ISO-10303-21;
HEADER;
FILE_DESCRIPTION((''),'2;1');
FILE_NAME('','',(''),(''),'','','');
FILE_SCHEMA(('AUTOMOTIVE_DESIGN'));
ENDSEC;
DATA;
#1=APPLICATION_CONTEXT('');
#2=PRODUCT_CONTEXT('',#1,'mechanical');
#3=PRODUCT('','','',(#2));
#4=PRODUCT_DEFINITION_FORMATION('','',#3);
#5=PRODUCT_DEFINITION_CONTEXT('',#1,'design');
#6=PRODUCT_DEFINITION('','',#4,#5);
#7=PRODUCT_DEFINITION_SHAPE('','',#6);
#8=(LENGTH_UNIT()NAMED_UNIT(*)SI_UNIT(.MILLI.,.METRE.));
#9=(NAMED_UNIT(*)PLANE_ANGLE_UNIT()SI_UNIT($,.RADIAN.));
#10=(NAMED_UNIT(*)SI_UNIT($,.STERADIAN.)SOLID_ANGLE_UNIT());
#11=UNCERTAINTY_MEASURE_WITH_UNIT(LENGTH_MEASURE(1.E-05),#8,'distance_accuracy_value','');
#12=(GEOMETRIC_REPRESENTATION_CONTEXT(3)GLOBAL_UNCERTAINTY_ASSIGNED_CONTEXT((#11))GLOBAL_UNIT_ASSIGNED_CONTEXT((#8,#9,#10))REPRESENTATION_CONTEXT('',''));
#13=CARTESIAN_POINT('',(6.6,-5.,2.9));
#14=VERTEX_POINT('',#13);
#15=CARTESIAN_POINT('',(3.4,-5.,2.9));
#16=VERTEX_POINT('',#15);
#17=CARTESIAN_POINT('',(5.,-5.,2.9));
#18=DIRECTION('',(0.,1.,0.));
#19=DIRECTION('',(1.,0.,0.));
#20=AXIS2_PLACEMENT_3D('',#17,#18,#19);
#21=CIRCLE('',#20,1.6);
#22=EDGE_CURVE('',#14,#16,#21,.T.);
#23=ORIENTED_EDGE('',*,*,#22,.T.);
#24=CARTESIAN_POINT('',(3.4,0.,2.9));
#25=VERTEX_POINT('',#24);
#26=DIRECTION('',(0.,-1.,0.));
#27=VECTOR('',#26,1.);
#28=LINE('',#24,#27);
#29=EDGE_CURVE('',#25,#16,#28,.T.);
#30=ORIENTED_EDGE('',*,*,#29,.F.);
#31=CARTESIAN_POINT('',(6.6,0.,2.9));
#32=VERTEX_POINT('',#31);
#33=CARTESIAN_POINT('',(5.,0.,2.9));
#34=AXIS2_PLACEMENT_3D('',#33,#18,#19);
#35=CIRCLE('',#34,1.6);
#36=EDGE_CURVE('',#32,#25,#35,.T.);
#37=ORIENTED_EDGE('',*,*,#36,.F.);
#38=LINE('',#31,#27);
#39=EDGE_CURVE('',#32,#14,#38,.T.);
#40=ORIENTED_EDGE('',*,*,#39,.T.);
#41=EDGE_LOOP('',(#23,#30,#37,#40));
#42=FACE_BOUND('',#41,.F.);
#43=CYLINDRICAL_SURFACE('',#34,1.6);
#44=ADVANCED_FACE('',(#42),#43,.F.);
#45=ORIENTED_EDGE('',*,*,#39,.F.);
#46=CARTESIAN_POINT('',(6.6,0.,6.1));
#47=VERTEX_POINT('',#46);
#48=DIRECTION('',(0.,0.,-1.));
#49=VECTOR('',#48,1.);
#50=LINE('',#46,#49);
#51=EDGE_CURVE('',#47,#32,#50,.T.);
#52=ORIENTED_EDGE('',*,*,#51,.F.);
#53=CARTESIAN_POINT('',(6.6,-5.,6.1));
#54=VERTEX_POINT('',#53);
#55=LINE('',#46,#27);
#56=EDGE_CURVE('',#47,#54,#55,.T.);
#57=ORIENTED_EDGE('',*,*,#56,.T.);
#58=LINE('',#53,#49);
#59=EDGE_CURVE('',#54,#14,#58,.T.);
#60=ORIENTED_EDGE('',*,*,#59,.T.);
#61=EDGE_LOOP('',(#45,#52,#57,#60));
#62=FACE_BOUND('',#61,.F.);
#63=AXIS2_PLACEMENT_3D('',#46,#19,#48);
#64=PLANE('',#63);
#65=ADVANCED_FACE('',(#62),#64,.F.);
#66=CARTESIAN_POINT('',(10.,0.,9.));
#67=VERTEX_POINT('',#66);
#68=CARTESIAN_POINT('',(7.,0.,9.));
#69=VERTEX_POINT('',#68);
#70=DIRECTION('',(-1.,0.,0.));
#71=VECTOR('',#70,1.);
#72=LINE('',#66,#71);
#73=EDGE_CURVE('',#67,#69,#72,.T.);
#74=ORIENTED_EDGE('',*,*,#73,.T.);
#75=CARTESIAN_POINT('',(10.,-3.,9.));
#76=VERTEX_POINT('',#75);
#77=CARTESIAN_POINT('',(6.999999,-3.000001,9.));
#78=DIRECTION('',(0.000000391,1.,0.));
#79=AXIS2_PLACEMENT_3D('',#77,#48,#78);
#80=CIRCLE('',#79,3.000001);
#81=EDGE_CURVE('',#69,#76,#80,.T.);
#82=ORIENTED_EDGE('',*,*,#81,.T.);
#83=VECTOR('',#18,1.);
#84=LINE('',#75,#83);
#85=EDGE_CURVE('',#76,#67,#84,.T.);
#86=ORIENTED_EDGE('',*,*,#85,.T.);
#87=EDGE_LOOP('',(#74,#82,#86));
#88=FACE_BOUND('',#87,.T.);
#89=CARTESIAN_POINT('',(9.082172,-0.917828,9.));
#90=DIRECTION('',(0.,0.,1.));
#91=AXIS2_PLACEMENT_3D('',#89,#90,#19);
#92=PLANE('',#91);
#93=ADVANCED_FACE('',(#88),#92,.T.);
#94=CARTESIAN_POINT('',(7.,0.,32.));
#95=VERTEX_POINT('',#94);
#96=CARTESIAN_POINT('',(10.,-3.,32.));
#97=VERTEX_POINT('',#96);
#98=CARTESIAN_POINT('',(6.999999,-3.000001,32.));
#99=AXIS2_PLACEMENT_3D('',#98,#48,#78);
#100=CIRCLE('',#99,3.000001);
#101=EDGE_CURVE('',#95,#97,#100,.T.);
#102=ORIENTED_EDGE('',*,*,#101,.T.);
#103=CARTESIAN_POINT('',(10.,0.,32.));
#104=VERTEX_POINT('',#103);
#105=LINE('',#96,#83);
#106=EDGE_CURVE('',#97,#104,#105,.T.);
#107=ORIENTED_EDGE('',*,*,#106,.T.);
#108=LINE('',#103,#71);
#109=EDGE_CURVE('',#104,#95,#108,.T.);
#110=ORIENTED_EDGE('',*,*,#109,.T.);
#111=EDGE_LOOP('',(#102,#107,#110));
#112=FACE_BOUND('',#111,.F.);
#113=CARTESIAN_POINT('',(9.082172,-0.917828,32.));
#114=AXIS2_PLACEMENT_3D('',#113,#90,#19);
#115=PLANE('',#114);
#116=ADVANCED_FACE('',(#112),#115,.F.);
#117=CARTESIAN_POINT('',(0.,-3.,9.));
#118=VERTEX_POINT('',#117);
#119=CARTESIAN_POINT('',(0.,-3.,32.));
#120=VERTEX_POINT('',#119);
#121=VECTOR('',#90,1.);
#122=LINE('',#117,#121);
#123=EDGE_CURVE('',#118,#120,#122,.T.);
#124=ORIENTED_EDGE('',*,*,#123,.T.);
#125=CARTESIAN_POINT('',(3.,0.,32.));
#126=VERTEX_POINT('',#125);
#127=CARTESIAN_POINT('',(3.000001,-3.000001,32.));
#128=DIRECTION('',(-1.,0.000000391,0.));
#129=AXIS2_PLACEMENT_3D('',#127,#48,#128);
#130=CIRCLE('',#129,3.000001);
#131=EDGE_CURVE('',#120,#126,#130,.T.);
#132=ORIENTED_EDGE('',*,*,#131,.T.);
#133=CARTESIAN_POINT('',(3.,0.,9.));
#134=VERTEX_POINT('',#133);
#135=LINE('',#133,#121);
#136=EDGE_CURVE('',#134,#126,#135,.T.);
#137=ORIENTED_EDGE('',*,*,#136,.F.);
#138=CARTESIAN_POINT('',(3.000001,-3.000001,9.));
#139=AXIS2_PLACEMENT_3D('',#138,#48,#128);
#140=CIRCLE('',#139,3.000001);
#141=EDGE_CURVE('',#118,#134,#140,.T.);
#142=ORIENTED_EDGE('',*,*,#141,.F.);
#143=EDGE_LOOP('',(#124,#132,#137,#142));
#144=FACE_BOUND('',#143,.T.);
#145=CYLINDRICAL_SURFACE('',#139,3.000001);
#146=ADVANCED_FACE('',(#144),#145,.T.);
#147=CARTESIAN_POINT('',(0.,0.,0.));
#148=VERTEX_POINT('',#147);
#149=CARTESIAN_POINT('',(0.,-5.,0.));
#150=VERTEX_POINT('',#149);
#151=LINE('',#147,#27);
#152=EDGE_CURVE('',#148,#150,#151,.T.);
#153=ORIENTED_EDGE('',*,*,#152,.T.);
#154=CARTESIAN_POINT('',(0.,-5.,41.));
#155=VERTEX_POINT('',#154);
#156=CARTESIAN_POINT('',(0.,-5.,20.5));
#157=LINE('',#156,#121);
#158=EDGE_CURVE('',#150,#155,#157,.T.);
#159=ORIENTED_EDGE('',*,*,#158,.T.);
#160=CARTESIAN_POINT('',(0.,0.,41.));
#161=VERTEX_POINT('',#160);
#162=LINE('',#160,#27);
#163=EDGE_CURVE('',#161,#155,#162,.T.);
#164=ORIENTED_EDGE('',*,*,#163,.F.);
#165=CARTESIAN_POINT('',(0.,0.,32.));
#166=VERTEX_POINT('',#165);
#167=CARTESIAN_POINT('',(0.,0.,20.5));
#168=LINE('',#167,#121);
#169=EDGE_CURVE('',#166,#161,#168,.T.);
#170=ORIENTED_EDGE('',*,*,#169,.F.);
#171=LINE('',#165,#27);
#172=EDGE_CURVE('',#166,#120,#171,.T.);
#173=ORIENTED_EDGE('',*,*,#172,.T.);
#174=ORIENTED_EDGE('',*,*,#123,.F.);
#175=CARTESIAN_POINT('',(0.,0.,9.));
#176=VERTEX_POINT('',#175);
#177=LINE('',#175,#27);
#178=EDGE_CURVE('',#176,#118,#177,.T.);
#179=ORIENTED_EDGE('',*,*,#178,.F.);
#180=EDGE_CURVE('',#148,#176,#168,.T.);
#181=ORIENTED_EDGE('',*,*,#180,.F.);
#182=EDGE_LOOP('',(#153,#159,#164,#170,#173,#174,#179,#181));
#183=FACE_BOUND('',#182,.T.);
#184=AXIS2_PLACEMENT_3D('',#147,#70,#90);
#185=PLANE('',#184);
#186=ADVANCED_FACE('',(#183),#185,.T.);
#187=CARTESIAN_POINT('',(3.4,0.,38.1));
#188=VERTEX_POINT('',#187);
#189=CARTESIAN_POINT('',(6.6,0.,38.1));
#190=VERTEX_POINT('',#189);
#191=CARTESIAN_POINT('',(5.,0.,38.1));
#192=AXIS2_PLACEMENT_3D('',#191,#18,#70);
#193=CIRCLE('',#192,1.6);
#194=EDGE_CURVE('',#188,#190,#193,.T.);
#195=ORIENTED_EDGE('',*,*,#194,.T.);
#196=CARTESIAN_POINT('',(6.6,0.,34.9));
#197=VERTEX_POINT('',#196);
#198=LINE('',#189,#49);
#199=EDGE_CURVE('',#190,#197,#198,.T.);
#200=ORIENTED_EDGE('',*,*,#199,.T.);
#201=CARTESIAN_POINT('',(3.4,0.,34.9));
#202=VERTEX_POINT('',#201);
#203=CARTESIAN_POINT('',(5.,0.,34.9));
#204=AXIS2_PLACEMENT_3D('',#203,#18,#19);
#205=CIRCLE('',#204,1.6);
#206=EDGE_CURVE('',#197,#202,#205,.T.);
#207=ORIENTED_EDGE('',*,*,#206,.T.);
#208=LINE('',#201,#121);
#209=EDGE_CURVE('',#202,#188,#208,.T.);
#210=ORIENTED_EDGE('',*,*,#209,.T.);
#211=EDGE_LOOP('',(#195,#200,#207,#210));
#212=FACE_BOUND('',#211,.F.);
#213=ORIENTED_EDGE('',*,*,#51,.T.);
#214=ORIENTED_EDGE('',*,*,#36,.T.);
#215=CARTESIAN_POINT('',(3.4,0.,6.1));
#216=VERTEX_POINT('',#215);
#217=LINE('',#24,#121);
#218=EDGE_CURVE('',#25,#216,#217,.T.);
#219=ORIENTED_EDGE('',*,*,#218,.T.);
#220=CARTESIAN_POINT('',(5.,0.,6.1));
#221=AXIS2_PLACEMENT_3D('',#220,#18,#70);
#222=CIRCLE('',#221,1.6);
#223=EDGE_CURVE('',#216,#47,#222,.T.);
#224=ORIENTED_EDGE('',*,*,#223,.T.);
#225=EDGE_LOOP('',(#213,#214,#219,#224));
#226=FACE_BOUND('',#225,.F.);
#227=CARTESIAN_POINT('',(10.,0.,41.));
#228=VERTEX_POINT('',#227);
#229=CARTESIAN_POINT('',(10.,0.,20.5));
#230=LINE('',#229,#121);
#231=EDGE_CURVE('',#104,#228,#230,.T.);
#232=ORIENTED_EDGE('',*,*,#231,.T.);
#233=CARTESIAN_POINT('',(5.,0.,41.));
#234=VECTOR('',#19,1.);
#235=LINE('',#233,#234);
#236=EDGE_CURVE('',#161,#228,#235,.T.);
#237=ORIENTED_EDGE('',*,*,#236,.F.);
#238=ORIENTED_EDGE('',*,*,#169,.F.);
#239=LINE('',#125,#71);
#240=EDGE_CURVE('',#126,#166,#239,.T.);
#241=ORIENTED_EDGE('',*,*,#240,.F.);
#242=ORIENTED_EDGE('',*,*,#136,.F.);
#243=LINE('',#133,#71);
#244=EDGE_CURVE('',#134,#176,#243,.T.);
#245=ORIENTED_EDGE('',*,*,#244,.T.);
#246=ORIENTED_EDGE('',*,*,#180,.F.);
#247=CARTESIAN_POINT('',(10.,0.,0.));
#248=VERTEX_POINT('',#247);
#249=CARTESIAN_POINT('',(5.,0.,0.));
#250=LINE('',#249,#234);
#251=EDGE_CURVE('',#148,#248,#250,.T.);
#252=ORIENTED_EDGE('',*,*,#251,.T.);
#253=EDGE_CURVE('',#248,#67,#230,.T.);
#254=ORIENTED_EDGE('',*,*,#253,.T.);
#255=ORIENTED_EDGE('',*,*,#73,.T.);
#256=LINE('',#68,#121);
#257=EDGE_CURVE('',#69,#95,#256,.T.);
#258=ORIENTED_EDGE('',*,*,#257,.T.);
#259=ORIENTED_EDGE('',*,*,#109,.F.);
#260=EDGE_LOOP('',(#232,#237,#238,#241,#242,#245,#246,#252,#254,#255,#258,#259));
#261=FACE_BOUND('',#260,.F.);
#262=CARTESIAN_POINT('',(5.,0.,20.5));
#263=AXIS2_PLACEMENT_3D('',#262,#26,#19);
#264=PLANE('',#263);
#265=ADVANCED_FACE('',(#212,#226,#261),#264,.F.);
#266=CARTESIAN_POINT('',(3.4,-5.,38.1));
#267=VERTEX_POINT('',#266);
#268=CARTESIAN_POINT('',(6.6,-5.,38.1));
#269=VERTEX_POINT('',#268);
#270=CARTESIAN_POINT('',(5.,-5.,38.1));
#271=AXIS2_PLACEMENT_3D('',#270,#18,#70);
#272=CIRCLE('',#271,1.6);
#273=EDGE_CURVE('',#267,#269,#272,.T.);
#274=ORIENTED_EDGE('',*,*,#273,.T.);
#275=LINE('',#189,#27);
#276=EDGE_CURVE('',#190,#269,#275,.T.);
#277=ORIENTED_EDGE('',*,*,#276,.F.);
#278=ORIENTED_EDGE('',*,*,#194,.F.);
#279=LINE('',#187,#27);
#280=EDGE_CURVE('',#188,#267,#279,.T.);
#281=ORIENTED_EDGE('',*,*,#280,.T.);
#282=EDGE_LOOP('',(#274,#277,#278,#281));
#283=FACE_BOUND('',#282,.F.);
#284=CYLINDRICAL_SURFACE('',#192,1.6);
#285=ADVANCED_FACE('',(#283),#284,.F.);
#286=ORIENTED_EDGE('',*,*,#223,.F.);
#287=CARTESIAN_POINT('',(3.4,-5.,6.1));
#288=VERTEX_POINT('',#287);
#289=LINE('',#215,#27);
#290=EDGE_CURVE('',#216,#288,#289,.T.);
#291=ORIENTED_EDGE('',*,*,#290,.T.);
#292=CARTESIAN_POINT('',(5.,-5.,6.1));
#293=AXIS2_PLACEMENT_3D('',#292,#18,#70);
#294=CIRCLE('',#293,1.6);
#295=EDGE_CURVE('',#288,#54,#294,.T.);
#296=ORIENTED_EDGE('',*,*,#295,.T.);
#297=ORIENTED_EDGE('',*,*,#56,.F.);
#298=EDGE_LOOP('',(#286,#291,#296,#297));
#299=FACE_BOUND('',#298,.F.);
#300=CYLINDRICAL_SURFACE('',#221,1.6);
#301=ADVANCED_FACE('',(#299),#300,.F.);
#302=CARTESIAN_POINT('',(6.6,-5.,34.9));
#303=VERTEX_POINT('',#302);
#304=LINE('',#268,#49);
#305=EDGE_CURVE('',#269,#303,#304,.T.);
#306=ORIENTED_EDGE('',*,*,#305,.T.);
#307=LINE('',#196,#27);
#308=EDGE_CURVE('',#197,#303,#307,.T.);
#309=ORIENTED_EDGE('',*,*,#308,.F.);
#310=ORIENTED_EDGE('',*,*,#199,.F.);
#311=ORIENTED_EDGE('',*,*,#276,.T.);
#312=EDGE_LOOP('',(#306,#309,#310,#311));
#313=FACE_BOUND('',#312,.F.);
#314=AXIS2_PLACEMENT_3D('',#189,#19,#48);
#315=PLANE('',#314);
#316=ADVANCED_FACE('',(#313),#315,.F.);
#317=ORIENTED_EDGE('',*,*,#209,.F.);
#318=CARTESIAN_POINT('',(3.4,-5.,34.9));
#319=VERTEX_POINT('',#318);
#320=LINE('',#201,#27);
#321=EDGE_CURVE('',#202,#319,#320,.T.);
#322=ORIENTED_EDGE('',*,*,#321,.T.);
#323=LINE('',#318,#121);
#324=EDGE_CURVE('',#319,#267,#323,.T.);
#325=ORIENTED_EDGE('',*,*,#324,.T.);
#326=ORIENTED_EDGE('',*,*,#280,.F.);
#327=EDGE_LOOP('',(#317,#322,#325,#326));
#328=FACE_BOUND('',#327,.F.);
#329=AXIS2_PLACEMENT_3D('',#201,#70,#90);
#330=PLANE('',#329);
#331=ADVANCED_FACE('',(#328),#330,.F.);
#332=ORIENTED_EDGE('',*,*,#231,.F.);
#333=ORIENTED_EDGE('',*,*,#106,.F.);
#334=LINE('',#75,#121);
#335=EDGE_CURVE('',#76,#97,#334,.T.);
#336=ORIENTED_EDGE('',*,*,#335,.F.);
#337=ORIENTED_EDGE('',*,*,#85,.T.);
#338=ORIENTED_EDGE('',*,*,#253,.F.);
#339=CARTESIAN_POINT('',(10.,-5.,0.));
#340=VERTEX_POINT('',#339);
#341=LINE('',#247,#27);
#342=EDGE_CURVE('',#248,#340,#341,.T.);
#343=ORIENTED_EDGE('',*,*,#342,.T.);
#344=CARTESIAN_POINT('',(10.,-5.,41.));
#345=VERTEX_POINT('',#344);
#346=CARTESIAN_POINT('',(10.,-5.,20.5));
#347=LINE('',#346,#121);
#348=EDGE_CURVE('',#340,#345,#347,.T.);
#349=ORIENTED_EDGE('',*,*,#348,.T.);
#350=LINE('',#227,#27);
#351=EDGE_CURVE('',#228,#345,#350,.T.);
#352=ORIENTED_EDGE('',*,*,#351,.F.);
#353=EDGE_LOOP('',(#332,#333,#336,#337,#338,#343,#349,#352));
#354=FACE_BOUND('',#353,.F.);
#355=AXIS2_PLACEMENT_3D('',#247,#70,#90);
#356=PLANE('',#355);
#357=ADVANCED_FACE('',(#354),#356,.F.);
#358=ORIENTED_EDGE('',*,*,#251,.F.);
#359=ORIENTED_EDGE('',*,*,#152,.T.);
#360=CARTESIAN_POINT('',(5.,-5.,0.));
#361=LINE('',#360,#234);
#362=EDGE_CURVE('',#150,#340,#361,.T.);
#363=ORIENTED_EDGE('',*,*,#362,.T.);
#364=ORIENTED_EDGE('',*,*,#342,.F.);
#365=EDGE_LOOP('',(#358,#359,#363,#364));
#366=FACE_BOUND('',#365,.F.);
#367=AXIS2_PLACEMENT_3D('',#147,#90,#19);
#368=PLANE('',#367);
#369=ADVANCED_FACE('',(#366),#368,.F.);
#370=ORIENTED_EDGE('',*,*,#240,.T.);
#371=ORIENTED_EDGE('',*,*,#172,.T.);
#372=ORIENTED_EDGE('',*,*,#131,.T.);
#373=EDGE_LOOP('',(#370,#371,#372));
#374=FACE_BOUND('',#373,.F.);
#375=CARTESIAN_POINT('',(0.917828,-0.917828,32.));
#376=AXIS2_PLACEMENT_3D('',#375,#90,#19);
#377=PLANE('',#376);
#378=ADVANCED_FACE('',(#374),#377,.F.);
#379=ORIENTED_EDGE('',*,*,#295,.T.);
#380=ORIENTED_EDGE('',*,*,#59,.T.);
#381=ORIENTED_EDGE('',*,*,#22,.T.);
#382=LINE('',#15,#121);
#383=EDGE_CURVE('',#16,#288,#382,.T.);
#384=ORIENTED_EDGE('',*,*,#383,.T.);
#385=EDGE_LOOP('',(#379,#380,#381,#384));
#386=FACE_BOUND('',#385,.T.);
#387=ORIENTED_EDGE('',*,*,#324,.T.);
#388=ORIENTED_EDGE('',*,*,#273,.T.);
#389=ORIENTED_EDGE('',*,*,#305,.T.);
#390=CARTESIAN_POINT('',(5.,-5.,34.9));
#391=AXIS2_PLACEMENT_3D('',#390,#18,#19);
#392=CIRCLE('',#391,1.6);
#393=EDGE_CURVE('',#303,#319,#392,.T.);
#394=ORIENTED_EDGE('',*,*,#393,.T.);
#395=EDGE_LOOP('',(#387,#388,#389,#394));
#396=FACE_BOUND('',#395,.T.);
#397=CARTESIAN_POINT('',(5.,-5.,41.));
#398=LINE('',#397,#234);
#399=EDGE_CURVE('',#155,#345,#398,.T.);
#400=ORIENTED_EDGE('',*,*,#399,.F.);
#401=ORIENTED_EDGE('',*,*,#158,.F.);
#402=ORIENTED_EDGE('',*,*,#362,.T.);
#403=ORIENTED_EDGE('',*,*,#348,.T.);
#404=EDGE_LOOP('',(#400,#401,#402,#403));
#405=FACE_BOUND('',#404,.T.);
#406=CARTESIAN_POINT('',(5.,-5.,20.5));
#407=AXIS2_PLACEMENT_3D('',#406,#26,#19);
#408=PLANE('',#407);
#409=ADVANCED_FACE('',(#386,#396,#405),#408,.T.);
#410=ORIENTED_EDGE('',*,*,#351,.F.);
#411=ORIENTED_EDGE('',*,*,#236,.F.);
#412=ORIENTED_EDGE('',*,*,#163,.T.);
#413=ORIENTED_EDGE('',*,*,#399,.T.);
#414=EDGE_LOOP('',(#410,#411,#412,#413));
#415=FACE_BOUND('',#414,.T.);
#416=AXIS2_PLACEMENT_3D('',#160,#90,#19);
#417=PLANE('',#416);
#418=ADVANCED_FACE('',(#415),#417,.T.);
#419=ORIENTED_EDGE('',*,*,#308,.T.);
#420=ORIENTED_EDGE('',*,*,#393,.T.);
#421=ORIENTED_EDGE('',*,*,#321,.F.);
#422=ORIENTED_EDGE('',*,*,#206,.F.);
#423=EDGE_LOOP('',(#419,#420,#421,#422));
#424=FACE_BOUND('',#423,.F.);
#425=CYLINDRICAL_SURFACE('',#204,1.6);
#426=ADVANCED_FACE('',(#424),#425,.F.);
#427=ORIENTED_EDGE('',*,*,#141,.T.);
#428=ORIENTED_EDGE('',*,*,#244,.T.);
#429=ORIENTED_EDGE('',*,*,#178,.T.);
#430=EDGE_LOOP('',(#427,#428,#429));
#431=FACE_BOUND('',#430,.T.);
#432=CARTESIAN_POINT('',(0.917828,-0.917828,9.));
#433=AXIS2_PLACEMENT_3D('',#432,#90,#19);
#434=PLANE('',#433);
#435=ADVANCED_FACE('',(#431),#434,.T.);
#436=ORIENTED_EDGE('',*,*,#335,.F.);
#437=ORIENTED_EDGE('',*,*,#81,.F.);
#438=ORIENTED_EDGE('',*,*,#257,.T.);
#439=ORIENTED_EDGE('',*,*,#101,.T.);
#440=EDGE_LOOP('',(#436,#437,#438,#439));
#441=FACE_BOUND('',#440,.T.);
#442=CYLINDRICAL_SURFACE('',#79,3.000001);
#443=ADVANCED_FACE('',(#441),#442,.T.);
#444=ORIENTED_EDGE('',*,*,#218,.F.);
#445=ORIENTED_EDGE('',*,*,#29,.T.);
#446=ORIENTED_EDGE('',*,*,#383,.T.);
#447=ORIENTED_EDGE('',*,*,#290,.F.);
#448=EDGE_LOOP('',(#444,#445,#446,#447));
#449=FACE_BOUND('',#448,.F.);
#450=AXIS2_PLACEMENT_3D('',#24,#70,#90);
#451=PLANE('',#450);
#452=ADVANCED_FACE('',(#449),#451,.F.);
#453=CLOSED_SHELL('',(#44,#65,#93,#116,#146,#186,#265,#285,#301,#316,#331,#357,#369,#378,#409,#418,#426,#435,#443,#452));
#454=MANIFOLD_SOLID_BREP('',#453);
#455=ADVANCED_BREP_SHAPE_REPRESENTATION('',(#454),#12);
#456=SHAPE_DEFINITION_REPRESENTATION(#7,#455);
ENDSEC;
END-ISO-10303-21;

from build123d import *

# Parameters (mm, degrees)
F0_W     = 10
F0_H     = 41
F1_DEPTH = 5
F4_DEPTH = 23


with BuildPart() as f1:
    # F0 (on Front) → F1 (new body)
    with BuildSketch(Plane.XZ):
        with Locations((5, 20.5)):
            Rectangle(F0_W, F0_H)
        with BuildLine():
            ThreePointArc((3.4, 6.1), (5, 7.7), (6.6, 6.1))
            Line((6.6, 6.1), (6.6, 2.9))
            ThreePointArc((6.6, 2.9), (5, 1.3), (3.4, 2.9))
            Line((3.4, 2.9), (3.4, 6.1))
        make_face(mode=Mode.SUBTRACT)
        with BuildLine():
            ThreePointArc((6.6, 34.9), (5, 33.3), (3.4, 34.9))
            Line((3.4, 34.9), (3.4, 38.1))
            ThreePointArc((3.4, 38.1), (5, 39.7), (6.6, 38.1))
            Line((6.6, 38.1), (6.6, 34.9))
        make_face(mode=Mode.SUBTRACT)
    extrude(amount=F1_DEPTH)

    # F3 (on offset) → F4 (cut)
    with BuildSketch(Plane.XY.offset(9)):
        with BuildLine():
            Line((10, 0), (7, 0))
            ThreePointArc((7, 0), (9.12132, -0.87868), (10, -3))
            Line((10, -3), (10, -2.5))
            Line((10, -2.5), (10, 0))
        make_face()
        with BuildLine():
            ThreePointArc((0, -3), (0.87868, -0.87868), (3, 0))
            Line((3, 0), (0, 0))
            Line((0, 0), (0, -3))
        make_face()
    extrude(amount=F4_DEPTH, mode=Mode.SUBTRACT)


solid = f1.part
